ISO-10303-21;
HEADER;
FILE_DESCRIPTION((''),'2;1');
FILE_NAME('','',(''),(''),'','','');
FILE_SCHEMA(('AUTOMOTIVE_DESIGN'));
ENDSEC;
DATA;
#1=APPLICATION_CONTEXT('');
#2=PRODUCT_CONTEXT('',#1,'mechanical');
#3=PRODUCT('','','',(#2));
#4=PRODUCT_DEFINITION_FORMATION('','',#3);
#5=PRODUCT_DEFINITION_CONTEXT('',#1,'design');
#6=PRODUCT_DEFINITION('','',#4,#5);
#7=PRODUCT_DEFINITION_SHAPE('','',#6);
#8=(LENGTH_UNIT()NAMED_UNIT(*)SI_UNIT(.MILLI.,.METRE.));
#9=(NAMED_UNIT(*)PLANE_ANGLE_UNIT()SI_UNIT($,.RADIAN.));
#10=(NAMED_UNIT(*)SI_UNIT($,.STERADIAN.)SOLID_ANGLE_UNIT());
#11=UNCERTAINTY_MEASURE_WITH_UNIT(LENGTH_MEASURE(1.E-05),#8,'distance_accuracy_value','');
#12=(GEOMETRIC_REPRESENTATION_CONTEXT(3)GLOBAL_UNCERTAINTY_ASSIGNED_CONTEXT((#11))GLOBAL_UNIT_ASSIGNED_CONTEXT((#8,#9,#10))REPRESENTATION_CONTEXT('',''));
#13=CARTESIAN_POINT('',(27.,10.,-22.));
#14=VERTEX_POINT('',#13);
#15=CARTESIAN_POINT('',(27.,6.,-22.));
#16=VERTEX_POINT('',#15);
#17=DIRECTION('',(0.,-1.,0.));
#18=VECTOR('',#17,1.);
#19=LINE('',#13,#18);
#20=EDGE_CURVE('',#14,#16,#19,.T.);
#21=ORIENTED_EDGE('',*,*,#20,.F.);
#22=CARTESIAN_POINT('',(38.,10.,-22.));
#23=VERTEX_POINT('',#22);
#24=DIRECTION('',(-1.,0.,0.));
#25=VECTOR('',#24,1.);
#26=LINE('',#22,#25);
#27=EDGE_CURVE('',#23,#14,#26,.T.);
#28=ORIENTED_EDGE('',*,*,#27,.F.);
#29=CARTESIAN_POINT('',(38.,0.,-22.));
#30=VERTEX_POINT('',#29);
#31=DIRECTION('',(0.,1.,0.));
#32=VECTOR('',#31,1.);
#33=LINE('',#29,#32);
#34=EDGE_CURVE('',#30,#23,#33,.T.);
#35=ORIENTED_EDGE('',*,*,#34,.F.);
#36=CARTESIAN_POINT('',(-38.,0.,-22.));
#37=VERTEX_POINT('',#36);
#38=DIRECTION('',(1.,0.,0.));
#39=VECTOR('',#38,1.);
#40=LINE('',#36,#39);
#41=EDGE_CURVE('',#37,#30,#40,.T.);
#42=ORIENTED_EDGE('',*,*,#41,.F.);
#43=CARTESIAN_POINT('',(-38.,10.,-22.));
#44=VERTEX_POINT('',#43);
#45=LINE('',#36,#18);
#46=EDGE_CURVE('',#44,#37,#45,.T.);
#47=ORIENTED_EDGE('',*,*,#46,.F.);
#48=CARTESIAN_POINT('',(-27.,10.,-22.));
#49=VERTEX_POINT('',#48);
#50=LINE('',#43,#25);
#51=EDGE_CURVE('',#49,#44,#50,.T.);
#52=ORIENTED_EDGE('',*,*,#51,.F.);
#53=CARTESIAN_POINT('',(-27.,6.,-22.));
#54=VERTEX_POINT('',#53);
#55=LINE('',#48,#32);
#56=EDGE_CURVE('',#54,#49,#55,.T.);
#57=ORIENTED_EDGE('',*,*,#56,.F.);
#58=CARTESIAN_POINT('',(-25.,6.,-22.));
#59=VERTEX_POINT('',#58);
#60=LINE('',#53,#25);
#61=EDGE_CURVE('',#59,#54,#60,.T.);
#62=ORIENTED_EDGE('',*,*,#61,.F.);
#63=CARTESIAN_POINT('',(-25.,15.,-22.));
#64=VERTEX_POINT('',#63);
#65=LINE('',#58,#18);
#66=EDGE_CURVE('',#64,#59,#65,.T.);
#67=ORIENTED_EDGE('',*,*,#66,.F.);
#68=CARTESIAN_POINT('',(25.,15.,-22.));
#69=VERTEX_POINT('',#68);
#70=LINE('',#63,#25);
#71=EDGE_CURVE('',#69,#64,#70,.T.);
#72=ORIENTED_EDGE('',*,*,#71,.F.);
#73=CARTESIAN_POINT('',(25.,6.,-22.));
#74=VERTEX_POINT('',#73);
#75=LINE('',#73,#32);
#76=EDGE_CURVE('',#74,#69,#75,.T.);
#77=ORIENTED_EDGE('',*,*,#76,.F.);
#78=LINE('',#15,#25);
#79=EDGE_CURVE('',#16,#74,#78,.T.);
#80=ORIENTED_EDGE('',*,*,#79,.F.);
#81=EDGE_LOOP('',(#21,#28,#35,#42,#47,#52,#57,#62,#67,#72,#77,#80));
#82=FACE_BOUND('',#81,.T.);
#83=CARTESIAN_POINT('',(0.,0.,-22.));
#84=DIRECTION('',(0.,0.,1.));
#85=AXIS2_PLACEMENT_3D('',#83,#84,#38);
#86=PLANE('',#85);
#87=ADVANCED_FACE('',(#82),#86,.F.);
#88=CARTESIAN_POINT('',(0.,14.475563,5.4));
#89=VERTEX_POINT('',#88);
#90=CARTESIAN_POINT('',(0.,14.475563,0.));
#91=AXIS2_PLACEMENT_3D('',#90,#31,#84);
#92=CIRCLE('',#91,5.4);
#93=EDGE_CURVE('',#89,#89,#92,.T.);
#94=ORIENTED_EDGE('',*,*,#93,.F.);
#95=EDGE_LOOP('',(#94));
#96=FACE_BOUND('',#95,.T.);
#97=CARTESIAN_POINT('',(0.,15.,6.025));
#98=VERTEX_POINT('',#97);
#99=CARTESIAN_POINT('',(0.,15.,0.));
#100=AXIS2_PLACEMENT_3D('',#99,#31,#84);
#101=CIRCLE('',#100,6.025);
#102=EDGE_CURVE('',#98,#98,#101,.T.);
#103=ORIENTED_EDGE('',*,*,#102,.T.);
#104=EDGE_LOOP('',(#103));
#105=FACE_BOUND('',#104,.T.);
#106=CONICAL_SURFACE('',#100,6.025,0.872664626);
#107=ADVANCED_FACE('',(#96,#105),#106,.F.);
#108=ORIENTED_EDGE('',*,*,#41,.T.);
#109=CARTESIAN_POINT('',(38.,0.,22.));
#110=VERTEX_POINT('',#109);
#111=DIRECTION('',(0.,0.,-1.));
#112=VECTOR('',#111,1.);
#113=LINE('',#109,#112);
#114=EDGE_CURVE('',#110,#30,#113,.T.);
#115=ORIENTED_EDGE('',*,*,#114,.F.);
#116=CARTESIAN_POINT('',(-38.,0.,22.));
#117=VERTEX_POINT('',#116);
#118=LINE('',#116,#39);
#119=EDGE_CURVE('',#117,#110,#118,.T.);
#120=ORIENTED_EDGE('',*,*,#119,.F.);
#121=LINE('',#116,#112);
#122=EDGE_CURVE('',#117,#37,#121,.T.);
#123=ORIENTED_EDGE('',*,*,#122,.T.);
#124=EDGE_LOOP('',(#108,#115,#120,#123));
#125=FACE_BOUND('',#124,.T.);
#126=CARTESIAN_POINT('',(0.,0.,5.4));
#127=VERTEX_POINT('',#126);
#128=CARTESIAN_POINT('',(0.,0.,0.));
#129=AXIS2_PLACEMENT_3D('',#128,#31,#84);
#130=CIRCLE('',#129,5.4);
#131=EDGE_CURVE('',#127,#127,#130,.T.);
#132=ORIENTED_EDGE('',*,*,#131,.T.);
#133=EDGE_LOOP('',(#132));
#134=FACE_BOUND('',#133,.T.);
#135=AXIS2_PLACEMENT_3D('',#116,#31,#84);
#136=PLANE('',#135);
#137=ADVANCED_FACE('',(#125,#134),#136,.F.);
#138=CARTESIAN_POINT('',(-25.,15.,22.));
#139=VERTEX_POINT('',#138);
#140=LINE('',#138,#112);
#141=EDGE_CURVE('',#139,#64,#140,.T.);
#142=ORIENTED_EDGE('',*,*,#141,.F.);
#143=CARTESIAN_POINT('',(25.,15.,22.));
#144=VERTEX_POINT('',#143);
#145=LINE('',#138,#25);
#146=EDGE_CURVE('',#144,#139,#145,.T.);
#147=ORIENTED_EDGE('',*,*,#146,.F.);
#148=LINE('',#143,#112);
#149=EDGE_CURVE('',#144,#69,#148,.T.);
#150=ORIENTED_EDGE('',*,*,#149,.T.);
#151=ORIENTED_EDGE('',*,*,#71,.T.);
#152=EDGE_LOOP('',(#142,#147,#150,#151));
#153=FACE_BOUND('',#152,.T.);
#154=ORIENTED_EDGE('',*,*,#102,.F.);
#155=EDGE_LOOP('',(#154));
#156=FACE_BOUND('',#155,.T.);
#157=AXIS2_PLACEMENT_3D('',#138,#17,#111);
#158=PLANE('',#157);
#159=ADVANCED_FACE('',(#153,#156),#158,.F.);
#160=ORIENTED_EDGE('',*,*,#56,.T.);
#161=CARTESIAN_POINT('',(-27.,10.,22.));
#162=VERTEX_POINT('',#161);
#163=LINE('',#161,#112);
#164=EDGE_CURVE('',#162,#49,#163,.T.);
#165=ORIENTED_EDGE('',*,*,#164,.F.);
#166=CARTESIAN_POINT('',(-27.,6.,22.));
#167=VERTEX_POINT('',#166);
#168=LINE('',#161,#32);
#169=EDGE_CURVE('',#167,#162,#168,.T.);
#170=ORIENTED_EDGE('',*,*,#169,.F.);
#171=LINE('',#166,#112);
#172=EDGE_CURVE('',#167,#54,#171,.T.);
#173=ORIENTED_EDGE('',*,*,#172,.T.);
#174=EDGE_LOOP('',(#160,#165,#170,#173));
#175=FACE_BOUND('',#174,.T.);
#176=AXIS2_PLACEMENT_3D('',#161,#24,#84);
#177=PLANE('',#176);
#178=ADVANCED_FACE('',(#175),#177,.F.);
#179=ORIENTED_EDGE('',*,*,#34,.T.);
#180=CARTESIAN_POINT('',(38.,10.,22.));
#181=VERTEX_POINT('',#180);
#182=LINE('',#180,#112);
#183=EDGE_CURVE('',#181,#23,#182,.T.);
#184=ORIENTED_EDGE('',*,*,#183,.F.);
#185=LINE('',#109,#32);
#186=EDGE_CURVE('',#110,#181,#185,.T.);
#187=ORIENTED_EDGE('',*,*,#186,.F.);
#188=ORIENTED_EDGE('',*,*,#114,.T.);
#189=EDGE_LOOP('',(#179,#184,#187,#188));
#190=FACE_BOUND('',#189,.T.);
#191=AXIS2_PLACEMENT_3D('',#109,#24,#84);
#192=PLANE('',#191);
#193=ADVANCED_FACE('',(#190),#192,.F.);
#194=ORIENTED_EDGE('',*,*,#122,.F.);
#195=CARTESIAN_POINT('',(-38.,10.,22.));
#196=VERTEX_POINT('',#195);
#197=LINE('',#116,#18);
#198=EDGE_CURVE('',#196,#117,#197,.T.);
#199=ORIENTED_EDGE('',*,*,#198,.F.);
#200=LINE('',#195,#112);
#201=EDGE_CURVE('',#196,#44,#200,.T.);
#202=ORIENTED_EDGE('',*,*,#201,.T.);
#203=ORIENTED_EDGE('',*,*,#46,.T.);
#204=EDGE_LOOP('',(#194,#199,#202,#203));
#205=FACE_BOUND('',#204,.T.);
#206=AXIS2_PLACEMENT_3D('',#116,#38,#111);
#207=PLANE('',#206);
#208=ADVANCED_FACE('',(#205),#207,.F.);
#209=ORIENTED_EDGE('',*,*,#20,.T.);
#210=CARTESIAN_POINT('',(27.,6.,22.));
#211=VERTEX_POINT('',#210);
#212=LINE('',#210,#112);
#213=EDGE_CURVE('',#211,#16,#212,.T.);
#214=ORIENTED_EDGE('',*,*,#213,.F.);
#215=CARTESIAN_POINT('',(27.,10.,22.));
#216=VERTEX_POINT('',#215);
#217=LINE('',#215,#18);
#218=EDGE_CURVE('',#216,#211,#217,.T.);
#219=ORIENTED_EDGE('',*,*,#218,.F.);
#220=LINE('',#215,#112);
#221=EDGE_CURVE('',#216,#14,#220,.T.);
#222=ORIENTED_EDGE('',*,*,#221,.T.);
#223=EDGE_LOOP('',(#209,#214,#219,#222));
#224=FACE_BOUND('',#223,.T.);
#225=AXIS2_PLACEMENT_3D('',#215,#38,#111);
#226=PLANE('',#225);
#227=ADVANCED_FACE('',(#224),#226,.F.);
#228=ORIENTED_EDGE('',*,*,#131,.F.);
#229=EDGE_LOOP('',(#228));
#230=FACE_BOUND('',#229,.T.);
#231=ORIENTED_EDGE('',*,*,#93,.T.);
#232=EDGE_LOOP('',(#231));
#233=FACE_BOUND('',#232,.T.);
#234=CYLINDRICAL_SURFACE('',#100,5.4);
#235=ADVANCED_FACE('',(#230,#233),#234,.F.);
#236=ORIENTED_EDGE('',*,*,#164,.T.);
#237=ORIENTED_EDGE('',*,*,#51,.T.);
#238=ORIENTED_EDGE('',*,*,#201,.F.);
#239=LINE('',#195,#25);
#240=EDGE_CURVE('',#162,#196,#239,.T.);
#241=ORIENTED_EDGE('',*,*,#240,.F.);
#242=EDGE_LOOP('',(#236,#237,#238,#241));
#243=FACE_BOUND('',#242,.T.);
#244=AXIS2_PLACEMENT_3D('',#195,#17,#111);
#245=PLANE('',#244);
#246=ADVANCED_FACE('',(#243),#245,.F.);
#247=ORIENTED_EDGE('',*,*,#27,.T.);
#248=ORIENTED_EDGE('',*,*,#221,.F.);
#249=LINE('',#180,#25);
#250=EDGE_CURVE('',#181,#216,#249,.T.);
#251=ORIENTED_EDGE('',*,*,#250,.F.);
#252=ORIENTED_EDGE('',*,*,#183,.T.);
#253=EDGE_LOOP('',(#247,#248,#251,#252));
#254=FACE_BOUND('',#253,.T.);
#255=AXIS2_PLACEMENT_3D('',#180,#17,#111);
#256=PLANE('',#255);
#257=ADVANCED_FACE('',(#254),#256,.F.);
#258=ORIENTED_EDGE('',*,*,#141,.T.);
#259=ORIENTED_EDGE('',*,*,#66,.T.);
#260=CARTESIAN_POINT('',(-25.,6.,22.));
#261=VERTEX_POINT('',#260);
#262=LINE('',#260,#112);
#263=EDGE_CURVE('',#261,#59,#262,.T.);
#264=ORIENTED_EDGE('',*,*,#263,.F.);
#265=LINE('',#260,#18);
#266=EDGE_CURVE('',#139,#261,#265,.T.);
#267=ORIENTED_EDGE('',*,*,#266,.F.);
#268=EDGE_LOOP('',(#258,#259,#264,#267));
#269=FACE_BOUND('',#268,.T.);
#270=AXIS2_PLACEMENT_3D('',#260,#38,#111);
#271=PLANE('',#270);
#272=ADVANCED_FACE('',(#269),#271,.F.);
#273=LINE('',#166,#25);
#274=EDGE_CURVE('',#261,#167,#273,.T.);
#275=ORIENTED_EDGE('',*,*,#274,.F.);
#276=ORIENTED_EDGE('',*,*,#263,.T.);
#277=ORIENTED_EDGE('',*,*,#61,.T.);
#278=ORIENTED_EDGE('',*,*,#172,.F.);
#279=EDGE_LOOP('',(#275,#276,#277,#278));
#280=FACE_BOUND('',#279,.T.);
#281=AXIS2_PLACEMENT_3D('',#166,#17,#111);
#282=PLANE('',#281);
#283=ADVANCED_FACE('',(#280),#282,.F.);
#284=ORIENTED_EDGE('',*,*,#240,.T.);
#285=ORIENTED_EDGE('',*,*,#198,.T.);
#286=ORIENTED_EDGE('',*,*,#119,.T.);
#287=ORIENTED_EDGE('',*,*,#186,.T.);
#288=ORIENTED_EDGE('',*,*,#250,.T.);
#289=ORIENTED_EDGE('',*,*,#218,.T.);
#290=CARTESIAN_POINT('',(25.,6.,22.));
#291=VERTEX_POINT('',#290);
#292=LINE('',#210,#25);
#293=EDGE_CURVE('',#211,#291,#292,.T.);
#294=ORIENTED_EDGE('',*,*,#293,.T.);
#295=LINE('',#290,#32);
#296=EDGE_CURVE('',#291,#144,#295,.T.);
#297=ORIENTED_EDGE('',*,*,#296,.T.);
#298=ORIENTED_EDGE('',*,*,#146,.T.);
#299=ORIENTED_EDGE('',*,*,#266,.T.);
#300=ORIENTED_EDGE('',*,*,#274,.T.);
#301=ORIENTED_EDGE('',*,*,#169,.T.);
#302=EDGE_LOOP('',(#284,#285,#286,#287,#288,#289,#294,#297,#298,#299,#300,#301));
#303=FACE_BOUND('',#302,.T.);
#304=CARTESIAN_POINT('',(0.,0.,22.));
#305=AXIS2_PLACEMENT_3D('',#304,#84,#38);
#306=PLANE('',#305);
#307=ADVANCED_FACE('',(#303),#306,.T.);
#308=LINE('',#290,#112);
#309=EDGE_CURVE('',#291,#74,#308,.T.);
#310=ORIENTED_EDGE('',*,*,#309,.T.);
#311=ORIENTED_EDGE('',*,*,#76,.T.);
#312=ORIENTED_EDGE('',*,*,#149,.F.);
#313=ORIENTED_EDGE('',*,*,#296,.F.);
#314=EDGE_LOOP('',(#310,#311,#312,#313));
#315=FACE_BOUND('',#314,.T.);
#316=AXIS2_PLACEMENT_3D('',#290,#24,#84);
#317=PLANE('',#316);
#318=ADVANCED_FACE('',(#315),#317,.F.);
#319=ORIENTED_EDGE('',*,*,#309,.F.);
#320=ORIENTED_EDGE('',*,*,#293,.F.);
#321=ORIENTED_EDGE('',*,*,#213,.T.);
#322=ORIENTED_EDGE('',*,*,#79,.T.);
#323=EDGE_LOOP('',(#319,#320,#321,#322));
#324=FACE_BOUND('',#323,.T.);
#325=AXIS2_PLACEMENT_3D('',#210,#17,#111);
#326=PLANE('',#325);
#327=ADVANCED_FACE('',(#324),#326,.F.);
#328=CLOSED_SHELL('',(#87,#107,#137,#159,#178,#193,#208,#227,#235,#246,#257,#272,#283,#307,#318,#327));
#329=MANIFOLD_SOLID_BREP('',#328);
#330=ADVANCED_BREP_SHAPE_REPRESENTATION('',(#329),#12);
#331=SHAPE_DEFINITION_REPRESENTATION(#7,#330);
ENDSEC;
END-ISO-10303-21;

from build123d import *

# Parameters (mm, degrees)
BOSS_EXTRUDE1_DEPTH               = 22
M12X1_25_TAPPED_HOLE1_D           = 10.8
M12X1_25_TAPPED_HOLE1_CSINK_D     = 12.05
M12X1_25_TAPPED_HOLE1_CSINK_ANGLE = 100


with BuildPart() as part:
    # Sketch1 → Boss-Extrude1 (new, symmetric)
    with BuildSketch(Plane.XY):
        Polygon((-38, 0), (-38, 10), (-27, 10), (-27, 6), (-25, 6), (-25, 15), (25, 15), (25, 6), (27, 6), (27, 10), (38, 10), (38, 0), align=None)
    extrude(amount=BOSS_EXTRUDE1_DEPTH, both=True)

    # M12x1.25 Tapped Hole1 (through all)
    with Locations(Plane(origin=(0, 15, 0), x_dir=(1, 0, 0), z_dir=(0, 1, 0))):
        with Locations((0, 0)):
            CounterSinkHole(M12X1_25_TAPPED_HOLE1_D / 2, M12X1_25_TAPPED_HOLE1_CSINK_D / 2, counter_sink_angle=M12X1_25_TAPPED_HOLE1_CSINK_ANGLE)


solid = part.part
